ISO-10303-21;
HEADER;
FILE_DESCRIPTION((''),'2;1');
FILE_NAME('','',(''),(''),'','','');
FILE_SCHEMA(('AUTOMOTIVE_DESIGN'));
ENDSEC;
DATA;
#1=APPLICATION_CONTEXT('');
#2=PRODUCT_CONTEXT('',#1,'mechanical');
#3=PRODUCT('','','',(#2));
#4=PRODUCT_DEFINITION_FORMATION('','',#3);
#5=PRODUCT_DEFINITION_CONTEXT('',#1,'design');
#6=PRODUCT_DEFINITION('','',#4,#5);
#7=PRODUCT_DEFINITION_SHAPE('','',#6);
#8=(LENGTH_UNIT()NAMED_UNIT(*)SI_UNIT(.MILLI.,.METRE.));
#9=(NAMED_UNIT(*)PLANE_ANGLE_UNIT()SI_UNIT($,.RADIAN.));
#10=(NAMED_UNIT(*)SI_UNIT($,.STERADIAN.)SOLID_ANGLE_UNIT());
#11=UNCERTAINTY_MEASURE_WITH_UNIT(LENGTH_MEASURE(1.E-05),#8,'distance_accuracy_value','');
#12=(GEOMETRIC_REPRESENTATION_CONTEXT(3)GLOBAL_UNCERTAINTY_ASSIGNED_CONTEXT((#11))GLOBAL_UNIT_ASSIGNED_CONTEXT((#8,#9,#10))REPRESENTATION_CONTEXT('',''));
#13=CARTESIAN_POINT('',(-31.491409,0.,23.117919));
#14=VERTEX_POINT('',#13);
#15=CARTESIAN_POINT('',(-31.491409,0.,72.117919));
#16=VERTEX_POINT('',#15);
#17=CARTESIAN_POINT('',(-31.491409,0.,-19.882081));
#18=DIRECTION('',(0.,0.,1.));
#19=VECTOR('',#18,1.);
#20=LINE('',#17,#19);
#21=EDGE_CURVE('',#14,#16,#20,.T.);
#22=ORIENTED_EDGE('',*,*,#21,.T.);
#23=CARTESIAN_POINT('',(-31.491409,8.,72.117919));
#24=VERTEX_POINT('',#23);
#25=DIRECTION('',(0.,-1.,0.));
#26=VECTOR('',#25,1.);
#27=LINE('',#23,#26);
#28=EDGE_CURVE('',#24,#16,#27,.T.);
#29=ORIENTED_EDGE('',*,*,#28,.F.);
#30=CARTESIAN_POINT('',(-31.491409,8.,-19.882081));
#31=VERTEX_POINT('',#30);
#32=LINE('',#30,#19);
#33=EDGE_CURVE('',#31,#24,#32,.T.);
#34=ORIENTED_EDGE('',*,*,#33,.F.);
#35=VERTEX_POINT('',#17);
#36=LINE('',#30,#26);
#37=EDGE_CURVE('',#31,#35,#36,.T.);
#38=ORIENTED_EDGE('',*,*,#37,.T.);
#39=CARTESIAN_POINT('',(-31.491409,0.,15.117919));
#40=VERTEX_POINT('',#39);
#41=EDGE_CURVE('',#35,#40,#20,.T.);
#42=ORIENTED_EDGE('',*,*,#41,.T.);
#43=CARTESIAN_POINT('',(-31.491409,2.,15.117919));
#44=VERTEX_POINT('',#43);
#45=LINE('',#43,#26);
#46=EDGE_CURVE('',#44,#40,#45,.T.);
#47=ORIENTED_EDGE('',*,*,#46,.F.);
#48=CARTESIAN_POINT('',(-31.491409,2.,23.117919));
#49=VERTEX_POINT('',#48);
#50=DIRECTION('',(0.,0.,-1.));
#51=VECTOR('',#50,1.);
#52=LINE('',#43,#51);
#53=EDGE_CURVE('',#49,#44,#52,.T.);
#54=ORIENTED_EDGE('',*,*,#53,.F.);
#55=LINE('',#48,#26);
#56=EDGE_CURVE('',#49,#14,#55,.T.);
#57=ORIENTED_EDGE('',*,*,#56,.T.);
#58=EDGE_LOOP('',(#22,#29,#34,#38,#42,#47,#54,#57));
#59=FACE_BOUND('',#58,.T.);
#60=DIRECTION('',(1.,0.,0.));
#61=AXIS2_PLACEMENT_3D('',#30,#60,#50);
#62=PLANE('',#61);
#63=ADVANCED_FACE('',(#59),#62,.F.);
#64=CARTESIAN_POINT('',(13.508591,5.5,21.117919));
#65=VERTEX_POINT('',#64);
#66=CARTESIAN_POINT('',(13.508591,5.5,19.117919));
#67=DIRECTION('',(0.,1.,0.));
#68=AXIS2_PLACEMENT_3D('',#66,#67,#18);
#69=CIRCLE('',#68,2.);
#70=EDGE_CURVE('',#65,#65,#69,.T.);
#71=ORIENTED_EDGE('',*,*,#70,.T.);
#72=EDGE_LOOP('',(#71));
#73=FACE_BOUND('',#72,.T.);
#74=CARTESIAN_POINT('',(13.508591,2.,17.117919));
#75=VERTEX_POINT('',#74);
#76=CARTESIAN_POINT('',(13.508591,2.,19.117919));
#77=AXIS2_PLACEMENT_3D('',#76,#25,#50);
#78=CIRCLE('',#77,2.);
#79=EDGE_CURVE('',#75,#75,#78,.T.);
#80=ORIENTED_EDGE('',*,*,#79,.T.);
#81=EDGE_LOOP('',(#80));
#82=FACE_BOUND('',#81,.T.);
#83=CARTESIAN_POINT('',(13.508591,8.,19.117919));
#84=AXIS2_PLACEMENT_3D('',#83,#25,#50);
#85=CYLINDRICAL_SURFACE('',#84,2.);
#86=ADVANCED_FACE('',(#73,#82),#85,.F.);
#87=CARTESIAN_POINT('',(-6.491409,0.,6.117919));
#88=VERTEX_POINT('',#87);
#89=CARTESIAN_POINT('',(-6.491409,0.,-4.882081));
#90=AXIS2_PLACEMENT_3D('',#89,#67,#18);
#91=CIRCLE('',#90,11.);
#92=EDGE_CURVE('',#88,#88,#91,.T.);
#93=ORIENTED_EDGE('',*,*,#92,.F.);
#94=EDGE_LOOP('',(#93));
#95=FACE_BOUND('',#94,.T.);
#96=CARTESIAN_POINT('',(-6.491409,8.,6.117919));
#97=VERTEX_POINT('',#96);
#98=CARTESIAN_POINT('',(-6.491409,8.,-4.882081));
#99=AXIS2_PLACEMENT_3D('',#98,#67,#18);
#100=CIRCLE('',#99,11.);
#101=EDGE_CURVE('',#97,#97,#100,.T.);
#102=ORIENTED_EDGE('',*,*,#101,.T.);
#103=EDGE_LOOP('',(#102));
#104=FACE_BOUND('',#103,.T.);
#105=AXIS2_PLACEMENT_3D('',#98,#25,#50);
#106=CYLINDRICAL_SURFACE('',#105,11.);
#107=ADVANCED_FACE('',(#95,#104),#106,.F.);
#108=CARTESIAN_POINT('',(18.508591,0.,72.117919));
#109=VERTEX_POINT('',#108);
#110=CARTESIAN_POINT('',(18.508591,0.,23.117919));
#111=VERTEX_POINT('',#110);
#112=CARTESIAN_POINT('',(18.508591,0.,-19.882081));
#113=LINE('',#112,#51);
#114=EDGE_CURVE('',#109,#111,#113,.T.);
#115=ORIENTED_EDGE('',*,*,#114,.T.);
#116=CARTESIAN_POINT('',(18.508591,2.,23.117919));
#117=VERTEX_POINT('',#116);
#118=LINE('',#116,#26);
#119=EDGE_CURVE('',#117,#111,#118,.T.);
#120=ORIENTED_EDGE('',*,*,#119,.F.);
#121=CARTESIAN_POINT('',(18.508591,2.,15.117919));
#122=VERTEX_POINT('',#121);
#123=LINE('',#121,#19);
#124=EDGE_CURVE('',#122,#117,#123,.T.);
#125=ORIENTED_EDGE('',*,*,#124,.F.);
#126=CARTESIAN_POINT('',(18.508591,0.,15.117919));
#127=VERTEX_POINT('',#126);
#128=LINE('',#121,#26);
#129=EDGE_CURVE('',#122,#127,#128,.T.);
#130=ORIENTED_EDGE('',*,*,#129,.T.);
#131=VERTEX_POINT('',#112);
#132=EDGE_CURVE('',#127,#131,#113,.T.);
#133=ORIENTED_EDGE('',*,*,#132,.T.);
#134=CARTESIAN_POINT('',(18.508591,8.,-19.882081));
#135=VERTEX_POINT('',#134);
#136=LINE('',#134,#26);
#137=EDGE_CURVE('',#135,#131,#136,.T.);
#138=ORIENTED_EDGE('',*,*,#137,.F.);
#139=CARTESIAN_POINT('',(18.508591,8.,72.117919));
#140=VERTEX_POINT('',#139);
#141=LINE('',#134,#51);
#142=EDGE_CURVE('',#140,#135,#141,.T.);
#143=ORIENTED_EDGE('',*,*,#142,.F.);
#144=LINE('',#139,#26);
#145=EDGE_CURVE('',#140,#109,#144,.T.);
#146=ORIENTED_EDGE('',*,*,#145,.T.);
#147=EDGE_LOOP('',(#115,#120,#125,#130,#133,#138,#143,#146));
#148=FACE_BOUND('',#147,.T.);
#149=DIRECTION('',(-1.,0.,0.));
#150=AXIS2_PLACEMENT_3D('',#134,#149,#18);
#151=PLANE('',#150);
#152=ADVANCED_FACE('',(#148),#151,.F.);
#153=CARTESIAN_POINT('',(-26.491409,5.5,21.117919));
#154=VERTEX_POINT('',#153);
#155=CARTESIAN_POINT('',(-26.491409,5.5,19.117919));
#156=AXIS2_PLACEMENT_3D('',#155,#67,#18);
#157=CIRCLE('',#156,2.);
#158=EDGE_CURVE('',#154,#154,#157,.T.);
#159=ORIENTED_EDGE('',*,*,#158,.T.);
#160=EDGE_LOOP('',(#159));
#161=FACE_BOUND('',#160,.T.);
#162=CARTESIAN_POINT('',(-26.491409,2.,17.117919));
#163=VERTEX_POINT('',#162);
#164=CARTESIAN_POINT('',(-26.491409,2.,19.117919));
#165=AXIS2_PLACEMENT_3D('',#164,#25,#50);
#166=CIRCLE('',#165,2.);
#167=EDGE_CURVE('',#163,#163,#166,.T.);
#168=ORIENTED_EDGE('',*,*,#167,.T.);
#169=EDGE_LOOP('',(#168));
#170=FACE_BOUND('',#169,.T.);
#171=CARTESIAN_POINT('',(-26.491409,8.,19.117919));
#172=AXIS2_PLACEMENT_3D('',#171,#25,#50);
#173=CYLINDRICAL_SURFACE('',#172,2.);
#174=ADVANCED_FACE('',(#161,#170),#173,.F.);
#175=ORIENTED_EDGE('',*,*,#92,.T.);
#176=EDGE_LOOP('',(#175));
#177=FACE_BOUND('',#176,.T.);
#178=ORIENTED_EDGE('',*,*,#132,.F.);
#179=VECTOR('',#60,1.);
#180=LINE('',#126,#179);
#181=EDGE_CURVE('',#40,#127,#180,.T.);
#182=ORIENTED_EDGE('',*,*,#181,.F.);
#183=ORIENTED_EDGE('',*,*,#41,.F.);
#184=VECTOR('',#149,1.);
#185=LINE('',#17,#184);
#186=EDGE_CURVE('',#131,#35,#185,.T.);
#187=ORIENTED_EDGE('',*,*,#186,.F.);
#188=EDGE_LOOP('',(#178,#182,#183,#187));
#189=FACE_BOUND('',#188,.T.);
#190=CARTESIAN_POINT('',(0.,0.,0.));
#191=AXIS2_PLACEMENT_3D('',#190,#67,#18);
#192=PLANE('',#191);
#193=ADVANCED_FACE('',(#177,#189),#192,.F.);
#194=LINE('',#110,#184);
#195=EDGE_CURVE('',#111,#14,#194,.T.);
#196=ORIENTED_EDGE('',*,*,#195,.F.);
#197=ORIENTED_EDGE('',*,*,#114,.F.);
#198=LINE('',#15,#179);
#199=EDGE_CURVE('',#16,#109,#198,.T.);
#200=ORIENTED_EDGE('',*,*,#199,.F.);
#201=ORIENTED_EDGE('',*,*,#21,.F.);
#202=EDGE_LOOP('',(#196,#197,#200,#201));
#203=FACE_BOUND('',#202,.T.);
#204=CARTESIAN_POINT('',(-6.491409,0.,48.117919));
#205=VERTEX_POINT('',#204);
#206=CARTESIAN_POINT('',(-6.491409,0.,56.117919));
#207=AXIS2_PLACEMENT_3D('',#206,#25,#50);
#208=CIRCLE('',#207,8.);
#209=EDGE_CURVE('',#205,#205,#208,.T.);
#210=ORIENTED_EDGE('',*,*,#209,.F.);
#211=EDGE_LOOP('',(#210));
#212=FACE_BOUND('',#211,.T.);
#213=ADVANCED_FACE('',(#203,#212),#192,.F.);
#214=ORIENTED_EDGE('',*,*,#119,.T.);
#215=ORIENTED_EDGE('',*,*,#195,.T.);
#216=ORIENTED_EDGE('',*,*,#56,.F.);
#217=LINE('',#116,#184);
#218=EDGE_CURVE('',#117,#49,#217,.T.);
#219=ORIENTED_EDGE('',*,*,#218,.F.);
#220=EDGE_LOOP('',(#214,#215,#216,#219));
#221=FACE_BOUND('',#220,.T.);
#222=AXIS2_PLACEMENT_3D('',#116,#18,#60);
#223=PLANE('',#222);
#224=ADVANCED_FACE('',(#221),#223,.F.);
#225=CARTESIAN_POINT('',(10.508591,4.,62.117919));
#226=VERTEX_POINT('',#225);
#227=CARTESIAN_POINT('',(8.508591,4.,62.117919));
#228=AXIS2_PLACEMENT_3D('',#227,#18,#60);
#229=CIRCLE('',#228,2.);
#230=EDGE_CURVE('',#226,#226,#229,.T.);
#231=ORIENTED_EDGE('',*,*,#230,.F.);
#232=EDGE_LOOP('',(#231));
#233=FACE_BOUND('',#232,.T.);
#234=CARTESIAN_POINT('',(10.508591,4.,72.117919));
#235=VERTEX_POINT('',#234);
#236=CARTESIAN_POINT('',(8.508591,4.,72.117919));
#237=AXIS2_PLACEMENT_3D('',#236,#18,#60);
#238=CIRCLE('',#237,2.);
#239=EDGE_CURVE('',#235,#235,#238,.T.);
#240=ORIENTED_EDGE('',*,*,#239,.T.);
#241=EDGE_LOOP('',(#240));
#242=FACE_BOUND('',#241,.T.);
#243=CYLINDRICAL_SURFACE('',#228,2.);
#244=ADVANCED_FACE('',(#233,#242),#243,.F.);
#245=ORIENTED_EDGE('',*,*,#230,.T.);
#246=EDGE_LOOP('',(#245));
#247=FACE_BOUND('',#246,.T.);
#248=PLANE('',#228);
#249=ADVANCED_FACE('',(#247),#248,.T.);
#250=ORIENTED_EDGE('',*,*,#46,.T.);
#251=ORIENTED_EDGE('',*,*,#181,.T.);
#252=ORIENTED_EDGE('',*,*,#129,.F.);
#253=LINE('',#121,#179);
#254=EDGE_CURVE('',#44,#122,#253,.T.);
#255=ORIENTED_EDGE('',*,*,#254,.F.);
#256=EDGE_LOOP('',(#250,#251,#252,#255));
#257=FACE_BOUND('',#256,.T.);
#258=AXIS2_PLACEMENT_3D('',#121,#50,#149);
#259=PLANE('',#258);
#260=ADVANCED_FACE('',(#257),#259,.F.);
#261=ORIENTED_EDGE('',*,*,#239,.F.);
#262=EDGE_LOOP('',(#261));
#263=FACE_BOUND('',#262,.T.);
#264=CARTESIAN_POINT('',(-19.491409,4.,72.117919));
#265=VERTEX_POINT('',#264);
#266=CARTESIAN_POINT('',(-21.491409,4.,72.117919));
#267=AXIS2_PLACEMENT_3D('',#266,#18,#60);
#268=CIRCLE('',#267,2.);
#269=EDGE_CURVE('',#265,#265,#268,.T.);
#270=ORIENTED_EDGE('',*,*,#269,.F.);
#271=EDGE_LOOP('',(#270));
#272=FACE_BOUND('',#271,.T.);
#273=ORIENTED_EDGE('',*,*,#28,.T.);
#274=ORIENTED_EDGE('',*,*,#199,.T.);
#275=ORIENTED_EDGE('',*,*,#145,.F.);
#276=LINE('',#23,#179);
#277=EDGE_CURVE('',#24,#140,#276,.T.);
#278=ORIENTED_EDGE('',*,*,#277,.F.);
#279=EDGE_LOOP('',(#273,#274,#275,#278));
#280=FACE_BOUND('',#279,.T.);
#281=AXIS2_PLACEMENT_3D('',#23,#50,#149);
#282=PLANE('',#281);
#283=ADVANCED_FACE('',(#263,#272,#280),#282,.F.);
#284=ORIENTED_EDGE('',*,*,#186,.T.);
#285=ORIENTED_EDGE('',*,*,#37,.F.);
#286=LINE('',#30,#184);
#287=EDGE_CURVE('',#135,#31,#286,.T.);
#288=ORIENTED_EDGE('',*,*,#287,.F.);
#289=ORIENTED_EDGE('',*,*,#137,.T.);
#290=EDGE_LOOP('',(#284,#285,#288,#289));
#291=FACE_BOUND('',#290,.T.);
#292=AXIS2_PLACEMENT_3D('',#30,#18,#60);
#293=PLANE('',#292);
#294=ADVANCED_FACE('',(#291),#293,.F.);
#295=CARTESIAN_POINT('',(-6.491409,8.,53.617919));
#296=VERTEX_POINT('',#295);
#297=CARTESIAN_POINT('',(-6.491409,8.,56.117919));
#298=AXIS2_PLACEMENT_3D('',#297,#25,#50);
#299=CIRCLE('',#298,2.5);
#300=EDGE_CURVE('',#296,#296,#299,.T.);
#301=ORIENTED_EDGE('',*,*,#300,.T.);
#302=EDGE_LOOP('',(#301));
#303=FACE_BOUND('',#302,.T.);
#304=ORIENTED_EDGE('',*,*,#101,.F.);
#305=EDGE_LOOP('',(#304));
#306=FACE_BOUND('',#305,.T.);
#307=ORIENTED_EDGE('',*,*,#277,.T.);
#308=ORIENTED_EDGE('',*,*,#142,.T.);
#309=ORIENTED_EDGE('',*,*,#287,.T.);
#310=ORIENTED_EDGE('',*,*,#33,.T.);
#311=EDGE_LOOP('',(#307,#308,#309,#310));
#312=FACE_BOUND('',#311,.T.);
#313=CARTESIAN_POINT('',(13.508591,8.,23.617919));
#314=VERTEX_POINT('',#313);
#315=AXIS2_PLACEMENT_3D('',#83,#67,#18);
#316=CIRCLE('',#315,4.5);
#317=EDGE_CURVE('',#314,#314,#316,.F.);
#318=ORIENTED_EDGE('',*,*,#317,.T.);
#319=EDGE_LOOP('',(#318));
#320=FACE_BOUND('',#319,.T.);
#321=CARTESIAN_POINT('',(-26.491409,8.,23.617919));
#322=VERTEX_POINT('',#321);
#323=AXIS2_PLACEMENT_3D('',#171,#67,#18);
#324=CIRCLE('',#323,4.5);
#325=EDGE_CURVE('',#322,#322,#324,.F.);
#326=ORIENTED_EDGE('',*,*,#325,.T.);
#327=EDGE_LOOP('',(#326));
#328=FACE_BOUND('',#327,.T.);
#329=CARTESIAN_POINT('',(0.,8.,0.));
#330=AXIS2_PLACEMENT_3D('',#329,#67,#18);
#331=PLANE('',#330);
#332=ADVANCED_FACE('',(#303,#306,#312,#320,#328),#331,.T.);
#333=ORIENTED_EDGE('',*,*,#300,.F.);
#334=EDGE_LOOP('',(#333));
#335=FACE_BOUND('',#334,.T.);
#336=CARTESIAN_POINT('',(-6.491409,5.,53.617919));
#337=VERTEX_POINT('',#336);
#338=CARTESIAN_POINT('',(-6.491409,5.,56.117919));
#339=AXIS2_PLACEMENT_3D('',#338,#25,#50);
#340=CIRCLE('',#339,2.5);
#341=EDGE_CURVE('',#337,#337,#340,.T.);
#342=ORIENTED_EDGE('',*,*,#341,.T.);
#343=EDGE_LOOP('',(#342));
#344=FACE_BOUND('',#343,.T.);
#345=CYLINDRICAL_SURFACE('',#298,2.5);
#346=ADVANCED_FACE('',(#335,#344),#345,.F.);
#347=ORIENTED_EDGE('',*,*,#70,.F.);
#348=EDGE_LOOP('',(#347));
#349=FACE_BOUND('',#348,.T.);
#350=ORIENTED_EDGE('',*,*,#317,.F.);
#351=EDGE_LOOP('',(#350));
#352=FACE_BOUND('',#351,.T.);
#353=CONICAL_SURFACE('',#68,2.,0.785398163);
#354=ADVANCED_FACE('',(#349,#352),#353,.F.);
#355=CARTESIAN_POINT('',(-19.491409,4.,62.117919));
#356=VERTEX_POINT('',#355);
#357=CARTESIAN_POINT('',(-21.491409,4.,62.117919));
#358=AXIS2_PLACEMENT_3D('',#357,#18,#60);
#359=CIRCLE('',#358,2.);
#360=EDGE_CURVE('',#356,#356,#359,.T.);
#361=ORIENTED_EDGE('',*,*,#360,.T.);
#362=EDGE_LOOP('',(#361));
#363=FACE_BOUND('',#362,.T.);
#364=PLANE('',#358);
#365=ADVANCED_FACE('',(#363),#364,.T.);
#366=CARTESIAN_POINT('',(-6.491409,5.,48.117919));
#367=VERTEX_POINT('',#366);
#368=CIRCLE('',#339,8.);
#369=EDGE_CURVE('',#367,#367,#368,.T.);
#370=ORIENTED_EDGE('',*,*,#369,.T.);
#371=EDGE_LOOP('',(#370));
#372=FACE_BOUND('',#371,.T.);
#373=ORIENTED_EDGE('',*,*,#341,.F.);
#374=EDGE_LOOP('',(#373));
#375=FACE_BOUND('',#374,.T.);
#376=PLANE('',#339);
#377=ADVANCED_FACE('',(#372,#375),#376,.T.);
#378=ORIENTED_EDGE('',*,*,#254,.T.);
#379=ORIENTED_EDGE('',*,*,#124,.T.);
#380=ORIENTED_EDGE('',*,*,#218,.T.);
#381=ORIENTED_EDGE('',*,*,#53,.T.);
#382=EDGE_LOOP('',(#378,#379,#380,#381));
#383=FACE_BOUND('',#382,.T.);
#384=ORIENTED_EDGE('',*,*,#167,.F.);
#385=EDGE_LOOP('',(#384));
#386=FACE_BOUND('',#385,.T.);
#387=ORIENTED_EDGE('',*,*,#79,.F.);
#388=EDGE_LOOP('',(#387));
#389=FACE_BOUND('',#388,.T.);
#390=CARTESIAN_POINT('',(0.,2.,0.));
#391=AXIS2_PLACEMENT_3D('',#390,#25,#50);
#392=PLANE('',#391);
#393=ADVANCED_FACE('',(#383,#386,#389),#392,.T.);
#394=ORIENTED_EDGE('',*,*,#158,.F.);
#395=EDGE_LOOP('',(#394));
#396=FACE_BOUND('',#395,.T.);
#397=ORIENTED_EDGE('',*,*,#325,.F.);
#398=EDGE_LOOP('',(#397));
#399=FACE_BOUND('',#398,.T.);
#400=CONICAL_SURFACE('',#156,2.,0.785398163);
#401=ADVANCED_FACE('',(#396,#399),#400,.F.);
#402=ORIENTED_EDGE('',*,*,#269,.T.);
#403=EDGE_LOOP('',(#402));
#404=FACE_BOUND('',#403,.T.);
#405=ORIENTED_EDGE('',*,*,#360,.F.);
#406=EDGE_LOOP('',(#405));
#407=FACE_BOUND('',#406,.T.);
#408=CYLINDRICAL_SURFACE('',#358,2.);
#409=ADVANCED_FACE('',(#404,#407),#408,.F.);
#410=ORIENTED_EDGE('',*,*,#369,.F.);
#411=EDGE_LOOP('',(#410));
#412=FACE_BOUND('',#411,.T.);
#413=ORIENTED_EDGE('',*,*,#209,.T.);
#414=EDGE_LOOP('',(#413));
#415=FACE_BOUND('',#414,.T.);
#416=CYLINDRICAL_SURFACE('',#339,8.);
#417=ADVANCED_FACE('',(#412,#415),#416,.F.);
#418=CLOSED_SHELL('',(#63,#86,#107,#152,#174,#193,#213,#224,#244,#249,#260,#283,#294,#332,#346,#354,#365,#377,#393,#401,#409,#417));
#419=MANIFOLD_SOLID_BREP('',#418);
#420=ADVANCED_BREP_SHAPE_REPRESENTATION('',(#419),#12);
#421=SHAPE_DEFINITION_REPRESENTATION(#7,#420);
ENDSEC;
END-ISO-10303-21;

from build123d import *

# Parameters (mm, degrees)
ESQUISSE1_W             = 50
ESQUISSE1_H             = 92
ESQUISSE1_R             = 11
ESQUISSE1_R_2           = 2
BOSS_EXTRU_1_DEPTH      = 8
CHANFREIN1_SIZE         = 2.5
ESQUISSE2_R             = 2
ENL_V_MAT_EXTRU_1_DEPTH = 10
ESQUISSE3_R             = 8
ENL_V_MAT_EXTRU_2_DEPTH = 5
ESQUISSE4_R             = 2.5
ENL_V_MAT_EXTRU_3_DEPTH = 79.852413099
ESQUISSE5_W             = 50
ESQUISSE5_H             = 8
ENL_V_MAT_EXTRU_4_DEPTH = 2


with BuildPart() as part:
    # Esquisse1 → Boss.-Extru.1 (new body)
    with BuildSketch(Plane(origin=(0, 0, 0), x_dir=(1, 0, 0), z_dir=(0, 1, 0))):
        with Locations((-6.491408935, -26.117918819)):
            Rectangle(ESQUISSE1_W, ESQUISSE1_H)
        with Locations(Location((-6.491408935, 4.882081181, 0), (0, 0, 270))):
            Circle(ESQUISSE1_R, mode=Mode.SUBTRACT)
        with Locations(Location((-26.491408935, -19.117918819, 0), (0, 0, 270))):
            Circle(ESQUISSE1_R_2, mode=Mode.SUBTRACT)
        with Locations(Location((13.508591065, -19.117918819, 0), (0, 0, 270))):
            Circle(ESQUISSE1_R_2, mode=Mode.SUBTRACT)
    extrude(amount=BOSS_EXTRU_1_DEPTH)

    # Chanfrein1
    chanfrein1_edges = [part.edges().sort_by_distance(p)[0] for p in [
        (-26.491408935, 8, 17.117918819),
        (13.508591065, 8, 17.117918819),
    ]]
    chamfer(chanfrein1_edges, length=CHANFREIN1_SIZE)

    # Esquisse2 → Enlèv. mat.-Extru.1 (cut)
    with BuildSketch(Plane.XY.offset(72.117918819)):
        with Locations((-21.491408935, 4)):
            Circle(ESQUISSE2_R)
        with Locations((8.508591065, 4)):
            Circle(ESQUISSE2_R)
    extrude(amount=-ENL_V_MAT_EXTRU_1_DEPTH, mode=Mode.SUBTRACT)

    # Esquisse3 → Enlèv. mat.-Extru.2 (cut)
    with BuildSketch(Plane.XZ):
        with Locations(Location((-6.491408935, 56.117918819, 0), (0, 0, 270))):
            Circle(ESQUISSE3_R)
    extrude(amount=-ENL_V_MAT_EXTRU_2_DEPTH, mode=Mode.SUBTRACT)

    # Esquisse4 → Enlèv. mat.-Extru.3 (cut, through all)
    with BuildSketch(Plane.XZ.offset(-5)):
        with Locations(Location((-6.491408935, 56.117918819, 0), (0, 0, 270))):
            Circle(ESQUISSE4_R)
    extrude(amount=-ENL_V_MAT_EXTRU_3_DEPTH, mode=Mode.SUBTRACT)

    # Esquisse5 → Enlèv. mat.-Extru.4 (cut)
    with BuildSketch(Plane.XZ):
        with Locations((-6.491408935, 19.117918819)):
            Rectangle(ESQUISSE5_W, ESQUISSE5_H)
    extrude(amount=-ENL_V_MAT_EXTRU_4_DEPTH, mode=Mode.SUBTRACT)


solid = part.part
